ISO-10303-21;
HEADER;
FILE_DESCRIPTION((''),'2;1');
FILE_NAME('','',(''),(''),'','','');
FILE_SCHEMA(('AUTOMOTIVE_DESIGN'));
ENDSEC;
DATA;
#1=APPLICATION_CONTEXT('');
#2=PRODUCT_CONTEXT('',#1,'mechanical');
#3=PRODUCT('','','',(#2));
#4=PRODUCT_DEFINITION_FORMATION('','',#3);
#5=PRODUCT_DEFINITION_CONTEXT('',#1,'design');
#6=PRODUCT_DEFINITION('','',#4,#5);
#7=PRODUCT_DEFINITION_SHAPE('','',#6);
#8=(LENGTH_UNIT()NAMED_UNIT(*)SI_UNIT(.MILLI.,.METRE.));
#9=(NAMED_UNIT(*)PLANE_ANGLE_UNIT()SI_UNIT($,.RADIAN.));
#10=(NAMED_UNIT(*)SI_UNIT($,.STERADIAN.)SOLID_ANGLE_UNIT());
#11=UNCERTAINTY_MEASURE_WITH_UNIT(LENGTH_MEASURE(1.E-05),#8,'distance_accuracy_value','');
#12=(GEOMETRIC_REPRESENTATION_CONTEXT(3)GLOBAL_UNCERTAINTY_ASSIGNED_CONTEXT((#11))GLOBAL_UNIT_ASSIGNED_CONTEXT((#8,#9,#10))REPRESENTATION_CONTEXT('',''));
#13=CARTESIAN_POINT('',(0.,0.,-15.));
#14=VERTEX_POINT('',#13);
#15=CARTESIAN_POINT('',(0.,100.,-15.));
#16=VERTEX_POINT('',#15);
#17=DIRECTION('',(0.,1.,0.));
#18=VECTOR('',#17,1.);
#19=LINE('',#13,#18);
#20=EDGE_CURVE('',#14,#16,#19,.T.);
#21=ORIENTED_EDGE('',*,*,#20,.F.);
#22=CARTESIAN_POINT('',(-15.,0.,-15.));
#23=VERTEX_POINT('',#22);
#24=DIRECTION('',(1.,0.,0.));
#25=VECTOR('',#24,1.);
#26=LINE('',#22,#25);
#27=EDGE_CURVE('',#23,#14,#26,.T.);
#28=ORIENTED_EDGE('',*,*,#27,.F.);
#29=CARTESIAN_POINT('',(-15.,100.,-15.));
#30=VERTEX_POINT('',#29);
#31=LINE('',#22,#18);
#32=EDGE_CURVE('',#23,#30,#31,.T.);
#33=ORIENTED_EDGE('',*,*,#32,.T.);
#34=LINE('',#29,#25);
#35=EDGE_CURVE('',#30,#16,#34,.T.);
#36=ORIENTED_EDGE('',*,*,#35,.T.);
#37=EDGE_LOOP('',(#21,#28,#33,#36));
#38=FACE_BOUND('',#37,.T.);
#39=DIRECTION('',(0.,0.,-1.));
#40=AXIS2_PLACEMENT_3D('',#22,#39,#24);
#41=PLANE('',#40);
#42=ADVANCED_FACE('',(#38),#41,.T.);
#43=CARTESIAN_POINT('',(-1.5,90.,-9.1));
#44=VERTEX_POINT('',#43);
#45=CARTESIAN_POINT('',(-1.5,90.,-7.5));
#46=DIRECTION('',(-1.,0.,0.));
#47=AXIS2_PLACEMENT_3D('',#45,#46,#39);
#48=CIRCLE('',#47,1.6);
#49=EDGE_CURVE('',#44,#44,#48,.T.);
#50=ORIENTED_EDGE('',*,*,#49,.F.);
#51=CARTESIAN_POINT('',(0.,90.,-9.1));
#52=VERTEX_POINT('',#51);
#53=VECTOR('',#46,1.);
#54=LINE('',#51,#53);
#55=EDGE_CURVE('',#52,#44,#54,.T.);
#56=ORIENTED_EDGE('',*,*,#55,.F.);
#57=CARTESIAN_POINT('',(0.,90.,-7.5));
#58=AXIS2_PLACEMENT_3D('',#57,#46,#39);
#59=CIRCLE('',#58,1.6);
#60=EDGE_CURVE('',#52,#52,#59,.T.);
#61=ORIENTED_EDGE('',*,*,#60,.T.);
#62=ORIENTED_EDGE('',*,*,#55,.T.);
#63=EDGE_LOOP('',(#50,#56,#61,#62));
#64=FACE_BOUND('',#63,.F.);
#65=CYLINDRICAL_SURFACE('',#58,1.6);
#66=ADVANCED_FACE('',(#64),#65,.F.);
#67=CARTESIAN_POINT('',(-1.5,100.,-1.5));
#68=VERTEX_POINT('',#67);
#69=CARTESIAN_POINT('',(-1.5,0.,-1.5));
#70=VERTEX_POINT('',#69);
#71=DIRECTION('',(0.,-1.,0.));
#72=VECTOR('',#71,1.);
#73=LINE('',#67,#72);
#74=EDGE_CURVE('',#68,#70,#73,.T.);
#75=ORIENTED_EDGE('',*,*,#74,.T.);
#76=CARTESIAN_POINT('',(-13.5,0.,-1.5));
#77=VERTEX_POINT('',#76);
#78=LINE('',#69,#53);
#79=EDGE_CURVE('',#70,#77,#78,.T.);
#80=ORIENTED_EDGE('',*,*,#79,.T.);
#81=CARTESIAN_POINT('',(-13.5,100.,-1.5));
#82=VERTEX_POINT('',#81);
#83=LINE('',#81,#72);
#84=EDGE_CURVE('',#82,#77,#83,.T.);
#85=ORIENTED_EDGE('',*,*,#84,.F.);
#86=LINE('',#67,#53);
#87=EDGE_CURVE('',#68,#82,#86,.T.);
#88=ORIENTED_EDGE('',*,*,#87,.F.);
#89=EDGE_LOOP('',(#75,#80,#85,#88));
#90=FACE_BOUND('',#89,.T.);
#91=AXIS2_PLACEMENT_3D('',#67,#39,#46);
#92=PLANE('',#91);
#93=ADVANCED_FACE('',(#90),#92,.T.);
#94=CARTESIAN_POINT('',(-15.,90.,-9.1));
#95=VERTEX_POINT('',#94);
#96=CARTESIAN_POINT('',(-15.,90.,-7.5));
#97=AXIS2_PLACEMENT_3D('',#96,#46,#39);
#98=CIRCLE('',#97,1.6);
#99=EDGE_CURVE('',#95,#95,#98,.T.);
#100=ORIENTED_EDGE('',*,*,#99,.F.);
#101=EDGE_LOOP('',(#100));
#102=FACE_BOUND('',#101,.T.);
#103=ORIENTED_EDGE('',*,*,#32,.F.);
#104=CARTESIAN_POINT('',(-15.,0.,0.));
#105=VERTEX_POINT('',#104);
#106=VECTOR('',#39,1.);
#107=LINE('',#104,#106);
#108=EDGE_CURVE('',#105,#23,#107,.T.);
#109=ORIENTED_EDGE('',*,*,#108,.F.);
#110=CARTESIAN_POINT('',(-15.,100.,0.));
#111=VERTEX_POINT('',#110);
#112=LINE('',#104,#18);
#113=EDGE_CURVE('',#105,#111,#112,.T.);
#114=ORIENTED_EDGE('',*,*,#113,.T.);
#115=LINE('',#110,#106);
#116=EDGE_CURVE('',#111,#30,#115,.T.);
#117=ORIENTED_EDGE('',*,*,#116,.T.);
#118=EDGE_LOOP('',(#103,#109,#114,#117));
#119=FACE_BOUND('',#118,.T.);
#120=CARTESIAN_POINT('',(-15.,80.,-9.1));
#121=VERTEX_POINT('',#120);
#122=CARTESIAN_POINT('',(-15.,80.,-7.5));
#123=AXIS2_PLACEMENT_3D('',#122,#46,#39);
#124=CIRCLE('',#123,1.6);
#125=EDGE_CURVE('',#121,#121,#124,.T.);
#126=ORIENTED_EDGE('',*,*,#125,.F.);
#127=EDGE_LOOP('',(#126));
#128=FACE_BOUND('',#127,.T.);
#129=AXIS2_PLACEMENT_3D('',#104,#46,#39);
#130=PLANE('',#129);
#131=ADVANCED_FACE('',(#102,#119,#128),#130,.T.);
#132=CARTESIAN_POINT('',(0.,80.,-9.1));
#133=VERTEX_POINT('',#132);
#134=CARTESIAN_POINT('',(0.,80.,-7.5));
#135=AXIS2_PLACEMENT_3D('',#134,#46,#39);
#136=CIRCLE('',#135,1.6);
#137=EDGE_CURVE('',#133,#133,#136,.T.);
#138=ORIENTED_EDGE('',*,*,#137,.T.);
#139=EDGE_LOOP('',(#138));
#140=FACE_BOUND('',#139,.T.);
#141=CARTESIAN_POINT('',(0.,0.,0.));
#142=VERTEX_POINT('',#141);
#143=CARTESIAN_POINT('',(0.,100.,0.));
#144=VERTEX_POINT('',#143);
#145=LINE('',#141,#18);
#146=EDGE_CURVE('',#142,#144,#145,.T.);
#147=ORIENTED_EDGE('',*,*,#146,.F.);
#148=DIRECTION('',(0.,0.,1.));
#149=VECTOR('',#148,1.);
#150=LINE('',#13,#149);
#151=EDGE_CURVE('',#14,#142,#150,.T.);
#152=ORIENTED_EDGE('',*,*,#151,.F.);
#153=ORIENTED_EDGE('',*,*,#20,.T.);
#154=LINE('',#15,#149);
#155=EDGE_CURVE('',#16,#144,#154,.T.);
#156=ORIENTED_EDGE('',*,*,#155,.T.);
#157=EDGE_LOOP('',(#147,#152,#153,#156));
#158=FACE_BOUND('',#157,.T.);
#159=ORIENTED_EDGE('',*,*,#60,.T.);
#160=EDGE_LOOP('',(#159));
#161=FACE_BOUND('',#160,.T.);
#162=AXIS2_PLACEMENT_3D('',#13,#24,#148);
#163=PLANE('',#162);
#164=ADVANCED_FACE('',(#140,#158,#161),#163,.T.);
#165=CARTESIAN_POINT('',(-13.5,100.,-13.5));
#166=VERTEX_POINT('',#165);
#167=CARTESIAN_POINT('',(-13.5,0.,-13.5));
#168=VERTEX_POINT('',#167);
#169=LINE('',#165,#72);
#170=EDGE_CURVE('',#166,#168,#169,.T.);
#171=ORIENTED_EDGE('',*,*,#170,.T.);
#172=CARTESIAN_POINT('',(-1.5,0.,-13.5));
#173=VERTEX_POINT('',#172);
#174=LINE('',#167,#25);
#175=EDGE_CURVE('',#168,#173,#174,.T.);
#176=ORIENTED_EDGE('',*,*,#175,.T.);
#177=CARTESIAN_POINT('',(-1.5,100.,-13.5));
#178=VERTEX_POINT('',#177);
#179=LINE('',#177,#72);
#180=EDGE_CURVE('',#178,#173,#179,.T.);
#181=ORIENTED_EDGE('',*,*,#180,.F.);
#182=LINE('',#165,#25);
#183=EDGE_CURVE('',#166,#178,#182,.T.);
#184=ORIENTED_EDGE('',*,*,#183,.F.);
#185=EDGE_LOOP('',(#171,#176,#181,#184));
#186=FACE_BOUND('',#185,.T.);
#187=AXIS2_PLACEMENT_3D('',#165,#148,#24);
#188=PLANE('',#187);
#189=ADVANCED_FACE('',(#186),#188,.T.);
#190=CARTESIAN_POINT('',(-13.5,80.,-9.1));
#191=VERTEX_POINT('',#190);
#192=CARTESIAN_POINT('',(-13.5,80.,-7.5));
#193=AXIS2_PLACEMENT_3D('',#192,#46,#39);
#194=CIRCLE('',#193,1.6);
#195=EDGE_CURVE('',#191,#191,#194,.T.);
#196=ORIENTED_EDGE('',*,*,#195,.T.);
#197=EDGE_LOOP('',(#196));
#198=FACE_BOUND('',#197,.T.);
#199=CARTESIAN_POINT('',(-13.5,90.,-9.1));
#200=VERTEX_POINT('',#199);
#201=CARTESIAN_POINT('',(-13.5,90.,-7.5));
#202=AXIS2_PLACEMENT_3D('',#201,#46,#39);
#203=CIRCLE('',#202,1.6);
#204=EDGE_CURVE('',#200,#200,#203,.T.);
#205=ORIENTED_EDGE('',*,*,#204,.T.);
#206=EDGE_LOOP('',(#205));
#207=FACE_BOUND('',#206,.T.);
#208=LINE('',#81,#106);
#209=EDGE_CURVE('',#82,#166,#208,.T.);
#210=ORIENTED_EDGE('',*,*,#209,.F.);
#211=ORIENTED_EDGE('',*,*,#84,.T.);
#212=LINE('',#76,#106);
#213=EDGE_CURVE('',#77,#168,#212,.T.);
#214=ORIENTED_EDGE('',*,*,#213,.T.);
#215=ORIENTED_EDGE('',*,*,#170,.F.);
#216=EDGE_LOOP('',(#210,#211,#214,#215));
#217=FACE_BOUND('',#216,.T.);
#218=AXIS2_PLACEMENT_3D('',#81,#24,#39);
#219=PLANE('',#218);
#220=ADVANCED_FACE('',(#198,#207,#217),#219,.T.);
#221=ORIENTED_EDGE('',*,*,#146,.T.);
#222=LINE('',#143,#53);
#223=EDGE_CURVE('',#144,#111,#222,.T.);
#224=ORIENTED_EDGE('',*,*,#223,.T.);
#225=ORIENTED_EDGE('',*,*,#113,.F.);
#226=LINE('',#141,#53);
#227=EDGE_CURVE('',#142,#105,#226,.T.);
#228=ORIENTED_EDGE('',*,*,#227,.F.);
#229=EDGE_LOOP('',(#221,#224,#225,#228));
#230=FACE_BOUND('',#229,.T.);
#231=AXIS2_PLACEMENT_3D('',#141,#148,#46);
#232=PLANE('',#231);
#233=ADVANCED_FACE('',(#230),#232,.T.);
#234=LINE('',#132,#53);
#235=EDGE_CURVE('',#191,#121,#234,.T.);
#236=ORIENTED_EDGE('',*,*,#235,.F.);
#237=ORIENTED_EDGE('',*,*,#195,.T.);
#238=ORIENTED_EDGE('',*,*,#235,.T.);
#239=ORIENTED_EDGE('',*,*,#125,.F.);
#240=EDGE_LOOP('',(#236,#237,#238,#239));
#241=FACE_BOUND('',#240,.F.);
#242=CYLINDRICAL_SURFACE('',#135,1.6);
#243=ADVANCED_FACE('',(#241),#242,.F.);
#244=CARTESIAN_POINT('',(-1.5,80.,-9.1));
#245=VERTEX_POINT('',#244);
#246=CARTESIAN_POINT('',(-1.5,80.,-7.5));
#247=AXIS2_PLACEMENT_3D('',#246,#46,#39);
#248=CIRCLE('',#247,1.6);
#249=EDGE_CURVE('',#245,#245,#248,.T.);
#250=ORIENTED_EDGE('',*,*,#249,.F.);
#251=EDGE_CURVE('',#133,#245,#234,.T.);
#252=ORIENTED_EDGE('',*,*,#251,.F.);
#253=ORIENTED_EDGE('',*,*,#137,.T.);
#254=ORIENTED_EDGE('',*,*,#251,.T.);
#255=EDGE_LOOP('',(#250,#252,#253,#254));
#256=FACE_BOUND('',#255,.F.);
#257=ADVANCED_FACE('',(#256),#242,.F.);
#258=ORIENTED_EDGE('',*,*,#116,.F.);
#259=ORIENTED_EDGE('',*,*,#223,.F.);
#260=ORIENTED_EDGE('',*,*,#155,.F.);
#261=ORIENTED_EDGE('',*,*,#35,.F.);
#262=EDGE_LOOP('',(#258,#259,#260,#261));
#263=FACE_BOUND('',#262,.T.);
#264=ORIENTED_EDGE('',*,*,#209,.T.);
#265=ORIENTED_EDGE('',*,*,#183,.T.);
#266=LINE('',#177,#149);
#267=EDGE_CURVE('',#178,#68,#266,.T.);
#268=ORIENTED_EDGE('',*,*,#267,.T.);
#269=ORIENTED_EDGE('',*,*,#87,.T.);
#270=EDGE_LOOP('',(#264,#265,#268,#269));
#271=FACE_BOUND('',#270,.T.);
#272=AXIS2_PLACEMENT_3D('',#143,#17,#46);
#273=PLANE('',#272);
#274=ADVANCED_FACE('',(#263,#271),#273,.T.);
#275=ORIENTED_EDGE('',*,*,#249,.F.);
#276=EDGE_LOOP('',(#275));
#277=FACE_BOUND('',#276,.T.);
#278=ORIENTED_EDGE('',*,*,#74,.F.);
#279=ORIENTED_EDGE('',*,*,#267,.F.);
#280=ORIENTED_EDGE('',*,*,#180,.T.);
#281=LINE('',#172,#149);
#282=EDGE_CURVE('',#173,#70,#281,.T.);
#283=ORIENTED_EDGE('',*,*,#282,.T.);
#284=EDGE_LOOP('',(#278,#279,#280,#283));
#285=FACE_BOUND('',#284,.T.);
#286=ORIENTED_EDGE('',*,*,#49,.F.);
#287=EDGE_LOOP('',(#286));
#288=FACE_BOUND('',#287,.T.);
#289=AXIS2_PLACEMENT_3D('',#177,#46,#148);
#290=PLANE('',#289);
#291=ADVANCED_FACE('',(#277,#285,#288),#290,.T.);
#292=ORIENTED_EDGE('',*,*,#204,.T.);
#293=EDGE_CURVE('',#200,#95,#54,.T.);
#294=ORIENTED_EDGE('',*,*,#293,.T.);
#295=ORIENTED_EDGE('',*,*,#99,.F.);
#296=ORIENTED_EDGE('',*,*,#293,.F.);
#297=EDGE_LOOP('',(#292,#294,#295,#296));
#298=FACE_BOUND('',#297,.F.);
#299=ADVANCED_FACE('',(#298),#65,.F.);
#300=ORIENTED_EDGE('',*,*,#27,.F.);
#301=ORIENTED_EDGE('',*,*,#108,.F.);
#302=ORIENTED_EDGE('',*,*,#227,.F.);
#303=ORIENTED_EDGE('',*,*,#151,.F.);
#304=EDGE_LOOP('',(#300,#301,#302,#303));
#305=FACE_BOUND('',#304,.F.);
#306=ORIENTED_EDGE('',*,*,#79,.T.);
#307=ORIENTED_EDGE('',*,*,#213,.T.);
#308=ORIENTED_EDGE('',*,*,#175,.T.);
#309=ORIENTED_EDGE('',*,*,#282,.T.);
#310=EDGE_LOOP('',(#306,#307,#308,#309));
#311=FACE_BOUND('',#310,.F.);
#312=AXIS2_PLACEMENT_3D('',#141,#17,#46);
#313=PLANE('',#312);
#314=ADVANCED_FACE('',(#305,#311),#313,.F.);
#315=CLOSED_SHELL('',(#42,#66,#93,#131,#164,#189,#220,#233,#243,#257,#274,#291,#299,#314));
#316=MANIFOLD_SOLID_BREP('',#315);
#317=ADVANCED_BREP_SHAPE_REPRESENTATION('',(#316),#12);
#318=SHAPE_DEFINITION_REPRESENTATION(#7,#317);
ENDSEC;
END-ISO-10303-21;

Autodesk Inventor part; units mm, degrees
ref_plane "YZ Plane" through (0, 0, 0) normal (1, 0, 0) x (0, 1, 0)
ref_plane "XZ Plane" through (0, 0, 0) normal (0, 1, 0) x (-1, 0, 0)
ref_plane "XY Plane" through (0, 0, 0) normal (0, 0, 1) x (1, 0, 0)
sketch "スケッチ1" plane through (0, 0, 0) normal (0, 1, 0) x (-1, 0, 0)
  line L0 (0, 0) -> (15, 0)
  line L1 (15, 0) -> (15, -15)
  line L2 (15, -15) -> (0, -15)
  line L3 (0, -15) -> (0, 0)
  dimension "d0" = 15
  dimension "d1" = 15
extrude "押し出し1" add sketch "スケッチ1" along normal blind 100
sketch "スケッチ2" plane through (0, 100, 0) normal (0, 1, 0) x (1, 0, 0)
  line L0 (-13.5, 13.5) -> (-1.5, 13.5)
  line L1 (-1.5, 13.5) -> (-1.5, 1.5)
  line L2 (-1.5, 1.5) -> (-13.5, 1.5)
  line L3 (-13.5, 1.5) -> (-13.5, 13.5)
  line L4 (-15, 15) -> (-15, 0) projected
  line L5 (0, 15) -> (-15, 15) projected
  point P0 (0, 0)
  dimension "d4" = 12
  dimension "d5" = 12
  dimension "d6" = 1.5
  dimension "d7" = 1.5
extrude "押し出し2" cut sketch "スケッチ2" against normal blind 100
sketch "スケッチ3" plane through (0, 0, 0) normal (1, 0, 0) x (0, 0, -1)
  point P0 (0, 0)
sketch "スケッチ4" plane through (0, 0, 0) normal (1, 0, 0) x (0, 0, -1)
  line L0 (0, 100) -> (15, 100) projected
  line L1 (0, 0) -> (0, 100) projected
  point P0 (7.5, 90)
  point P1 (7.5, 80)
  dimension "d10" = 10
  dimension "d11" = 7.5
  dimension "d12" = 10
  dimension "d13" = 7.5
hole "穴1" at (0, 90, -7.5) at (0, 80, -7.5) direction (-1, 0, 0) diameter 3.2 end through all
